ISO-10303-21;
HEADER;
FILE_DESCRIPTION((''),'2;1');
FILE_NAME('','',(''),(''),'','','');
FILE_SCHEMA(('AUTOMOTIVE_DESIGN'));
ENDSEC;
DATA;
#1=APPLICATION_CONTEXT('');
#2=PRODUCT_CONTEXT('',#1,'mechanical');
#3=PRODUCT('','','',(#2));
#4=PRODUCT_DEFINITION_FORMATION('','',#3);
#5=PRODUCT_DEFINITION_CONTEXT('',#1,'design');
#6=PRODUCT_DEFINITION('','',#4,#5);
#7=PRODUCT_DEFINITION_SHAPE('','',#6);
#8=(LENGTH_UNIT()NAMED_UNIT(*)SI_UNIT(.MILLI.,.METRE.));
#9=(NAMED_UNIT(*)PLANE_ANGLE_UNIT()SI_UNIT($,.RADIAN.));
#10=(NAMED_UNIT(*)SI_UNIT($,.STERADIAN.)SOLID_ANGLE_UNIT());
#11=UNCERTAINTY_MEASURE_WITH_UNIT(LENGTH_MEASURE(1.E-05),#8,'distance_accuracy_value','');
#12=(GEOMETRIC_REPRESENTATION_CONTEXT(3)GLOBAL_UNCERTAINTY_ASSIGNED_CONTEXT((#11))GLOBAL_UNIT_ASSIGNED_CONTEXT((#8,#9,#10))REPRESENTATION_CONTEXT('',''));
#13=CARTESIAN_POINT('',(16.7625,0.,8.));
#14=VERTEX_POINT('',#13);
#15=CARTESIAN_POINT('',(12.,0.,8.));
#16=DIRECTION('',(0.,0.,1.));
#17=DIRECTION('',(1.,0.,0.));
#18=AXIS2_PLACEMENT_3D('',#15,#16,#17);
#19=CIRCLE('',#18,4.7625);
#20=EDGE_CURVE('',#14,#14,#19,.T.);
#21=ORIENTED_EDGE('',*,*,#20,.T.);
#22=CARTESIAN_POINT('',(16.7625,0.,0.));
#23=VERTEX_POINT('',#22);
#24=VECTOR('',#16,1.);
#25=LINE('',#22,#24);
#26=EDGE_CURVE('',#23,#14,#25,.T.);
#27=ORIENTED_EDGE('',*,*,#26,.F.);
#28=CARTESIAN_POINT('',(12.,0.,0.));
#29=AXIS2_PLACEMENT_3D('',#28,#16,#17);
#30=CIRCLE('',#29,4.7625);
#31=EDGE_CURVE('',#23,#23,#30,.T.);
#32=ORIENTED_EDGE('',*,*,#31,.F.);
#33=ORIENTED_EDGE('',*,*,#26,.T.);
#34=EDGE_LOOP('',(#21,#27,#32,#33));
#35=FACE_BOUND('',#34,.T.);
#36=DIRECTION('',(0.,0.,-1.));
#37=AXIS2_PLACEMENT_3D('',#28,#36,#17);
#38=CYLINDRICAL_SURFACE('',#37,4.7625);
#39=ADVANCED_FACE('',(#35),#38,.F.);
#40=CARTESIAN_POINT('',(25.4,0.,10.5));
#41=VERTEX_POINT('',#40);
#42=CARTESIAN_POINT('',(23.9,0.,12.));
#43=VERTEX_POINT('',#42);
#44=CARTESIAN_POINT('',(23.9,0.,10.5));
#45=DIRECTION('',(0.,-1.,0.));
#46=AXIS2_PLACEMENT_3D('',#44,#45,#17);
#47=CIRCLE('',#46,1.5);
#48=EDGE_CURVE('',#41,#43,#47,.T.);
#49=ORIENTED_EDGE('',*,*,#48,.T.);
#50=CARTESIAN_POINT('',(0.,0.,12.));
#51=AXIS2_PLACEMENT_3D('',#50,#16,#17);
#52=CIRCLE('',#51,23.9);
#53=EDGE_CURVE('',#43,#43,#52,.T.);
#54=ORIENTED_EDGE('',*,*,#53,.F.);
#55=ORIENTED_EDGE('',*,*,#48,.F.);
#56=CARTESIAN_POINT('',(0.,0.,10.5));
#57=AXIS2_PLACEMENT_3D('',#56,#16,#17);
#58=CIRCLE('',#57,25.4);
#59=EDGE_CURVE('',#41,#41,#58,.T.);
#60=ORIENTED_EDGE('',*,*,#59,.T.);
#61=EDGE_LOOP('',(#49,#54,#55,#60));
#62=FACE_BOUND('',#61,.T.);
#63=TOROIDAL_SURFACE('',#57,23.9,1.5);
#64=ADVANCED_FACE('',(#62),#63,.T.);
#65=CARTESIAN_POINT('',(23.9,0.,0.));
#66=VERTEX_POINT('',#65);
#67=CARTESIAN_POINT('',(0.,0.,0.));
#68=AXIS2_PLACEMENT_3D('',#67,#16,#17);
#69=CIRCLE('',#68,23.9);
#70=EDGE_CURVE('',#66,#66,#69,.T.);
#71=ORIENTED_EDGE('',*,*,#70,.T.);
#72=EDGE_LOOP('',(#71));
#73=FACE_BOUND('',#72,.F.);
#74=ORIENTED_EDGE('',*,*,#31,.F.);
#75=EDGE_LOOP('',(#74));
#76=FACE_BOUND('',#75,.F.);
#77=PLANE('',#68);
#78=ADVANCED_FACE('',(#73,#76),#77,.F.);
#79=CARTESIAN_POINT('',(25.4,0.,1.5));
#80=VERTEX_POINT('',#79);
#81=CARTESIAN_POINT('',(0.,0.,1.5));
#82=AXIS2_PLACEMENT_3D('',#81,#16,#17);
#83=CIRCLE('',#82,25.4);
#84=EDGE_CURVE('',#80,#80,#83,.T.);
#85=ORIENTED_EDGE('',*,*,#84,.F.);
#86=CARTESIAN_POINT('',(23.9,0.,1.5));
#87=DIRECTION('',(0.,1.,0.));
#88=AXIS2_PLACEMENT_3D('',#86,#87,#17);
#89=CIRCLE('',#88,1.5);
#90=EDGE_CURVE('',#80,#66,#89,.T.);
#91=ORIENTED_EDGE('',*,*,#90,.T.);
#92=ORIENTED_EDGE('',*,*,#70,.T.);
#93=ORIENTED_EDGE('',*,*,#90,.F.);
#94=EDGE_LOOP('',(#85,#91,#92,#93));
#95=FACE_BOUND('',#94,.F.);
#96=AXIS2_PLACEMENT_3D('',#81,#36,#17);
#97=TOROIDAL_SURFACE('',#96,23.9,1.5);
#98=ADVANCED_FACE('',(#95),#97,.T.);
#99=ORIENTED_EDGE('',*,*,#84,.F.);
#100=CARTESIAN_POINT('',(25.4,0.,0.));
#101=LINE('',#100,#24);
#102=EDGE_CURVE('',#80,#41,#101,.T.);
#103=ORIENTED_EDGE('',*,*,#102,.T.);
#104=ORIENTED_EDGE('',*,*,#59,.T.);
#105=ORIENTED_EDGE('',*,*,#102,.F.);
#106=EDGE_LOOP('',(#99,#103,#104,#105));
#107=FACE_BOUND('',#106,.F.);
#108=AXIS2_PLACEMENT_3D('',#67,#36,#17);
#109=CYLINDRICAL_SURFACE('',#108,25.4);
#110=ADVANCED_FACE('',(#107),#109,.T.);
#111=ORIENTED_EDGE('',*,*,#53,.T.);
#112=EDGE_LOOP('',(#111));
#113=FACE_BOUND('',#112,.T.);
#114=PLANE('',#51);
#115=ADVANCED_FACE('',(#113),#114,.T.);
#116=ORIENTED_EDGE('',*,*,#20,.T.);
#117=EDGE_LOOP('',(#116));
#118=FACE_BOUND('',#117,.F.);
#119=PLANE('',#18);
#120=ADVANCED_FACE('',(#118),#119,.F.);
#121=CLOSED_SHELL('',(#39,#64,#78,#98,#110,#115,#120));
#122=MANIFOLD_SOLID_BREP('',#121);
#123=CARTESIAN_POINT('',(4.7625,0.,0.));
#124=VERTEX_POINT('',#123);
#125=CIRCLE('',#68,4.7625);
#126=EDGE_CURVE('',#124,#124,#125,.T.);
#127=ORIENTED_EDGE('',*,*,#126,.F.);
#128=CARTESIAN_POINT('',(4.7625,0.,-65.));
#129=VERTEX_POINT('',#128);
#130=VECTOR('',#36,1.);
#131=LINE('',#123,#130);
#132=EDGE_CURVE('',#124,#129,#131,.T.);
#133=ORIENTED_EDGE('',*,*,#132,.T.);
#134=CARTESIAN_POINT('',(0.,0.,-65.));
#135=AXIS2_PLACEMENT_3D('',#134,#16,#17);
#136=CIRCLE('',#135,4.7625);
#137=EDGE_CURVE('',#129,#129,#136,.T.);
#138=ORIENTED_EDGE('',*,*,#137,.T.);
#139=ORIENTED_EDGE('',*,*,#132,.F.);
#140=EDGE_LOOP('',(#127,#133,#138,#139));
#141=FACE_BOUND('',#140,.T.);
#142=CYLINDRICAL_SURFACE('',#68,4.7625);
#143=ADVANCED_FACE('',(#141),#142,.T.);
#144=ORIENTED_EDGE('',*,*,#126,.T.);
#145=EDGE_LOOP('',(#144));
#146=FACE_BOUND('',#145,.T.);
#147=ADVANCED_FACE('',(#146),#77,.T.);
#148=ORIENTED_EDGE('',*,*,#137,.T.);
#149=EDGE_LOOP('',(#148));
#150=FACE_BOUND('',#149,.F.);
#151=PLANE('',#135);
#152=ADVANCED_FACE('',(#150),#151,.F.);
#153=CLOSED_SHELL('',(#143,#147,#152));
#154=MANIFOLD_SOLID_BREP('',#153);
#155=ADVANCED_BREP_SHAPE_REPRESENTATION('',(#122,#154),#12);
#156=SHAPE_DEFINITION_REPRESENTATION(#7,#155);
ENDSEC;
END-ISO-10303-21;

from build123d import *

# Parameters (mm, degrees)
F0_R     = 25.4
F1_DEPTH = 12
F2_R     = 1.5
F3_R     = 4.7625
F4_DEPTH = 8
F5_R     = 4.7625
F6_DEPTH = 65


with BuildPart() as f1:
    # F0 (on Top) → F1 (new body)
    with BuildSketch(Plane.XY):
        Circle(F0_R)
    extrude(amount=F1_DEPTH)

    # F2
    f2_edges = [f1.edges().sort_by_distance(p)[0] for p in [
        (-25.4, 0, 12),
        (-25.4, 0, 0),
    ]]
    fillet(f2_edges, radius=F2_R)

    # F3 (on Top) → F4 (cut)
    with BuildSketch(Plane.XY):
        with Locations((12, 0)):
            Circle(F3_R)
    extrude(amount=F4_DEPTH, mode=Mode.SUBTRACT)


with BuildPart() as f6:
    # F5 (on Top) → F6 (new body)
    with BuildSketch(Plane.XY):
        Circle(F5_R)
    extrude(amount=-F6_DEPTH)


solid = Compound([f1.part, f6.part])
